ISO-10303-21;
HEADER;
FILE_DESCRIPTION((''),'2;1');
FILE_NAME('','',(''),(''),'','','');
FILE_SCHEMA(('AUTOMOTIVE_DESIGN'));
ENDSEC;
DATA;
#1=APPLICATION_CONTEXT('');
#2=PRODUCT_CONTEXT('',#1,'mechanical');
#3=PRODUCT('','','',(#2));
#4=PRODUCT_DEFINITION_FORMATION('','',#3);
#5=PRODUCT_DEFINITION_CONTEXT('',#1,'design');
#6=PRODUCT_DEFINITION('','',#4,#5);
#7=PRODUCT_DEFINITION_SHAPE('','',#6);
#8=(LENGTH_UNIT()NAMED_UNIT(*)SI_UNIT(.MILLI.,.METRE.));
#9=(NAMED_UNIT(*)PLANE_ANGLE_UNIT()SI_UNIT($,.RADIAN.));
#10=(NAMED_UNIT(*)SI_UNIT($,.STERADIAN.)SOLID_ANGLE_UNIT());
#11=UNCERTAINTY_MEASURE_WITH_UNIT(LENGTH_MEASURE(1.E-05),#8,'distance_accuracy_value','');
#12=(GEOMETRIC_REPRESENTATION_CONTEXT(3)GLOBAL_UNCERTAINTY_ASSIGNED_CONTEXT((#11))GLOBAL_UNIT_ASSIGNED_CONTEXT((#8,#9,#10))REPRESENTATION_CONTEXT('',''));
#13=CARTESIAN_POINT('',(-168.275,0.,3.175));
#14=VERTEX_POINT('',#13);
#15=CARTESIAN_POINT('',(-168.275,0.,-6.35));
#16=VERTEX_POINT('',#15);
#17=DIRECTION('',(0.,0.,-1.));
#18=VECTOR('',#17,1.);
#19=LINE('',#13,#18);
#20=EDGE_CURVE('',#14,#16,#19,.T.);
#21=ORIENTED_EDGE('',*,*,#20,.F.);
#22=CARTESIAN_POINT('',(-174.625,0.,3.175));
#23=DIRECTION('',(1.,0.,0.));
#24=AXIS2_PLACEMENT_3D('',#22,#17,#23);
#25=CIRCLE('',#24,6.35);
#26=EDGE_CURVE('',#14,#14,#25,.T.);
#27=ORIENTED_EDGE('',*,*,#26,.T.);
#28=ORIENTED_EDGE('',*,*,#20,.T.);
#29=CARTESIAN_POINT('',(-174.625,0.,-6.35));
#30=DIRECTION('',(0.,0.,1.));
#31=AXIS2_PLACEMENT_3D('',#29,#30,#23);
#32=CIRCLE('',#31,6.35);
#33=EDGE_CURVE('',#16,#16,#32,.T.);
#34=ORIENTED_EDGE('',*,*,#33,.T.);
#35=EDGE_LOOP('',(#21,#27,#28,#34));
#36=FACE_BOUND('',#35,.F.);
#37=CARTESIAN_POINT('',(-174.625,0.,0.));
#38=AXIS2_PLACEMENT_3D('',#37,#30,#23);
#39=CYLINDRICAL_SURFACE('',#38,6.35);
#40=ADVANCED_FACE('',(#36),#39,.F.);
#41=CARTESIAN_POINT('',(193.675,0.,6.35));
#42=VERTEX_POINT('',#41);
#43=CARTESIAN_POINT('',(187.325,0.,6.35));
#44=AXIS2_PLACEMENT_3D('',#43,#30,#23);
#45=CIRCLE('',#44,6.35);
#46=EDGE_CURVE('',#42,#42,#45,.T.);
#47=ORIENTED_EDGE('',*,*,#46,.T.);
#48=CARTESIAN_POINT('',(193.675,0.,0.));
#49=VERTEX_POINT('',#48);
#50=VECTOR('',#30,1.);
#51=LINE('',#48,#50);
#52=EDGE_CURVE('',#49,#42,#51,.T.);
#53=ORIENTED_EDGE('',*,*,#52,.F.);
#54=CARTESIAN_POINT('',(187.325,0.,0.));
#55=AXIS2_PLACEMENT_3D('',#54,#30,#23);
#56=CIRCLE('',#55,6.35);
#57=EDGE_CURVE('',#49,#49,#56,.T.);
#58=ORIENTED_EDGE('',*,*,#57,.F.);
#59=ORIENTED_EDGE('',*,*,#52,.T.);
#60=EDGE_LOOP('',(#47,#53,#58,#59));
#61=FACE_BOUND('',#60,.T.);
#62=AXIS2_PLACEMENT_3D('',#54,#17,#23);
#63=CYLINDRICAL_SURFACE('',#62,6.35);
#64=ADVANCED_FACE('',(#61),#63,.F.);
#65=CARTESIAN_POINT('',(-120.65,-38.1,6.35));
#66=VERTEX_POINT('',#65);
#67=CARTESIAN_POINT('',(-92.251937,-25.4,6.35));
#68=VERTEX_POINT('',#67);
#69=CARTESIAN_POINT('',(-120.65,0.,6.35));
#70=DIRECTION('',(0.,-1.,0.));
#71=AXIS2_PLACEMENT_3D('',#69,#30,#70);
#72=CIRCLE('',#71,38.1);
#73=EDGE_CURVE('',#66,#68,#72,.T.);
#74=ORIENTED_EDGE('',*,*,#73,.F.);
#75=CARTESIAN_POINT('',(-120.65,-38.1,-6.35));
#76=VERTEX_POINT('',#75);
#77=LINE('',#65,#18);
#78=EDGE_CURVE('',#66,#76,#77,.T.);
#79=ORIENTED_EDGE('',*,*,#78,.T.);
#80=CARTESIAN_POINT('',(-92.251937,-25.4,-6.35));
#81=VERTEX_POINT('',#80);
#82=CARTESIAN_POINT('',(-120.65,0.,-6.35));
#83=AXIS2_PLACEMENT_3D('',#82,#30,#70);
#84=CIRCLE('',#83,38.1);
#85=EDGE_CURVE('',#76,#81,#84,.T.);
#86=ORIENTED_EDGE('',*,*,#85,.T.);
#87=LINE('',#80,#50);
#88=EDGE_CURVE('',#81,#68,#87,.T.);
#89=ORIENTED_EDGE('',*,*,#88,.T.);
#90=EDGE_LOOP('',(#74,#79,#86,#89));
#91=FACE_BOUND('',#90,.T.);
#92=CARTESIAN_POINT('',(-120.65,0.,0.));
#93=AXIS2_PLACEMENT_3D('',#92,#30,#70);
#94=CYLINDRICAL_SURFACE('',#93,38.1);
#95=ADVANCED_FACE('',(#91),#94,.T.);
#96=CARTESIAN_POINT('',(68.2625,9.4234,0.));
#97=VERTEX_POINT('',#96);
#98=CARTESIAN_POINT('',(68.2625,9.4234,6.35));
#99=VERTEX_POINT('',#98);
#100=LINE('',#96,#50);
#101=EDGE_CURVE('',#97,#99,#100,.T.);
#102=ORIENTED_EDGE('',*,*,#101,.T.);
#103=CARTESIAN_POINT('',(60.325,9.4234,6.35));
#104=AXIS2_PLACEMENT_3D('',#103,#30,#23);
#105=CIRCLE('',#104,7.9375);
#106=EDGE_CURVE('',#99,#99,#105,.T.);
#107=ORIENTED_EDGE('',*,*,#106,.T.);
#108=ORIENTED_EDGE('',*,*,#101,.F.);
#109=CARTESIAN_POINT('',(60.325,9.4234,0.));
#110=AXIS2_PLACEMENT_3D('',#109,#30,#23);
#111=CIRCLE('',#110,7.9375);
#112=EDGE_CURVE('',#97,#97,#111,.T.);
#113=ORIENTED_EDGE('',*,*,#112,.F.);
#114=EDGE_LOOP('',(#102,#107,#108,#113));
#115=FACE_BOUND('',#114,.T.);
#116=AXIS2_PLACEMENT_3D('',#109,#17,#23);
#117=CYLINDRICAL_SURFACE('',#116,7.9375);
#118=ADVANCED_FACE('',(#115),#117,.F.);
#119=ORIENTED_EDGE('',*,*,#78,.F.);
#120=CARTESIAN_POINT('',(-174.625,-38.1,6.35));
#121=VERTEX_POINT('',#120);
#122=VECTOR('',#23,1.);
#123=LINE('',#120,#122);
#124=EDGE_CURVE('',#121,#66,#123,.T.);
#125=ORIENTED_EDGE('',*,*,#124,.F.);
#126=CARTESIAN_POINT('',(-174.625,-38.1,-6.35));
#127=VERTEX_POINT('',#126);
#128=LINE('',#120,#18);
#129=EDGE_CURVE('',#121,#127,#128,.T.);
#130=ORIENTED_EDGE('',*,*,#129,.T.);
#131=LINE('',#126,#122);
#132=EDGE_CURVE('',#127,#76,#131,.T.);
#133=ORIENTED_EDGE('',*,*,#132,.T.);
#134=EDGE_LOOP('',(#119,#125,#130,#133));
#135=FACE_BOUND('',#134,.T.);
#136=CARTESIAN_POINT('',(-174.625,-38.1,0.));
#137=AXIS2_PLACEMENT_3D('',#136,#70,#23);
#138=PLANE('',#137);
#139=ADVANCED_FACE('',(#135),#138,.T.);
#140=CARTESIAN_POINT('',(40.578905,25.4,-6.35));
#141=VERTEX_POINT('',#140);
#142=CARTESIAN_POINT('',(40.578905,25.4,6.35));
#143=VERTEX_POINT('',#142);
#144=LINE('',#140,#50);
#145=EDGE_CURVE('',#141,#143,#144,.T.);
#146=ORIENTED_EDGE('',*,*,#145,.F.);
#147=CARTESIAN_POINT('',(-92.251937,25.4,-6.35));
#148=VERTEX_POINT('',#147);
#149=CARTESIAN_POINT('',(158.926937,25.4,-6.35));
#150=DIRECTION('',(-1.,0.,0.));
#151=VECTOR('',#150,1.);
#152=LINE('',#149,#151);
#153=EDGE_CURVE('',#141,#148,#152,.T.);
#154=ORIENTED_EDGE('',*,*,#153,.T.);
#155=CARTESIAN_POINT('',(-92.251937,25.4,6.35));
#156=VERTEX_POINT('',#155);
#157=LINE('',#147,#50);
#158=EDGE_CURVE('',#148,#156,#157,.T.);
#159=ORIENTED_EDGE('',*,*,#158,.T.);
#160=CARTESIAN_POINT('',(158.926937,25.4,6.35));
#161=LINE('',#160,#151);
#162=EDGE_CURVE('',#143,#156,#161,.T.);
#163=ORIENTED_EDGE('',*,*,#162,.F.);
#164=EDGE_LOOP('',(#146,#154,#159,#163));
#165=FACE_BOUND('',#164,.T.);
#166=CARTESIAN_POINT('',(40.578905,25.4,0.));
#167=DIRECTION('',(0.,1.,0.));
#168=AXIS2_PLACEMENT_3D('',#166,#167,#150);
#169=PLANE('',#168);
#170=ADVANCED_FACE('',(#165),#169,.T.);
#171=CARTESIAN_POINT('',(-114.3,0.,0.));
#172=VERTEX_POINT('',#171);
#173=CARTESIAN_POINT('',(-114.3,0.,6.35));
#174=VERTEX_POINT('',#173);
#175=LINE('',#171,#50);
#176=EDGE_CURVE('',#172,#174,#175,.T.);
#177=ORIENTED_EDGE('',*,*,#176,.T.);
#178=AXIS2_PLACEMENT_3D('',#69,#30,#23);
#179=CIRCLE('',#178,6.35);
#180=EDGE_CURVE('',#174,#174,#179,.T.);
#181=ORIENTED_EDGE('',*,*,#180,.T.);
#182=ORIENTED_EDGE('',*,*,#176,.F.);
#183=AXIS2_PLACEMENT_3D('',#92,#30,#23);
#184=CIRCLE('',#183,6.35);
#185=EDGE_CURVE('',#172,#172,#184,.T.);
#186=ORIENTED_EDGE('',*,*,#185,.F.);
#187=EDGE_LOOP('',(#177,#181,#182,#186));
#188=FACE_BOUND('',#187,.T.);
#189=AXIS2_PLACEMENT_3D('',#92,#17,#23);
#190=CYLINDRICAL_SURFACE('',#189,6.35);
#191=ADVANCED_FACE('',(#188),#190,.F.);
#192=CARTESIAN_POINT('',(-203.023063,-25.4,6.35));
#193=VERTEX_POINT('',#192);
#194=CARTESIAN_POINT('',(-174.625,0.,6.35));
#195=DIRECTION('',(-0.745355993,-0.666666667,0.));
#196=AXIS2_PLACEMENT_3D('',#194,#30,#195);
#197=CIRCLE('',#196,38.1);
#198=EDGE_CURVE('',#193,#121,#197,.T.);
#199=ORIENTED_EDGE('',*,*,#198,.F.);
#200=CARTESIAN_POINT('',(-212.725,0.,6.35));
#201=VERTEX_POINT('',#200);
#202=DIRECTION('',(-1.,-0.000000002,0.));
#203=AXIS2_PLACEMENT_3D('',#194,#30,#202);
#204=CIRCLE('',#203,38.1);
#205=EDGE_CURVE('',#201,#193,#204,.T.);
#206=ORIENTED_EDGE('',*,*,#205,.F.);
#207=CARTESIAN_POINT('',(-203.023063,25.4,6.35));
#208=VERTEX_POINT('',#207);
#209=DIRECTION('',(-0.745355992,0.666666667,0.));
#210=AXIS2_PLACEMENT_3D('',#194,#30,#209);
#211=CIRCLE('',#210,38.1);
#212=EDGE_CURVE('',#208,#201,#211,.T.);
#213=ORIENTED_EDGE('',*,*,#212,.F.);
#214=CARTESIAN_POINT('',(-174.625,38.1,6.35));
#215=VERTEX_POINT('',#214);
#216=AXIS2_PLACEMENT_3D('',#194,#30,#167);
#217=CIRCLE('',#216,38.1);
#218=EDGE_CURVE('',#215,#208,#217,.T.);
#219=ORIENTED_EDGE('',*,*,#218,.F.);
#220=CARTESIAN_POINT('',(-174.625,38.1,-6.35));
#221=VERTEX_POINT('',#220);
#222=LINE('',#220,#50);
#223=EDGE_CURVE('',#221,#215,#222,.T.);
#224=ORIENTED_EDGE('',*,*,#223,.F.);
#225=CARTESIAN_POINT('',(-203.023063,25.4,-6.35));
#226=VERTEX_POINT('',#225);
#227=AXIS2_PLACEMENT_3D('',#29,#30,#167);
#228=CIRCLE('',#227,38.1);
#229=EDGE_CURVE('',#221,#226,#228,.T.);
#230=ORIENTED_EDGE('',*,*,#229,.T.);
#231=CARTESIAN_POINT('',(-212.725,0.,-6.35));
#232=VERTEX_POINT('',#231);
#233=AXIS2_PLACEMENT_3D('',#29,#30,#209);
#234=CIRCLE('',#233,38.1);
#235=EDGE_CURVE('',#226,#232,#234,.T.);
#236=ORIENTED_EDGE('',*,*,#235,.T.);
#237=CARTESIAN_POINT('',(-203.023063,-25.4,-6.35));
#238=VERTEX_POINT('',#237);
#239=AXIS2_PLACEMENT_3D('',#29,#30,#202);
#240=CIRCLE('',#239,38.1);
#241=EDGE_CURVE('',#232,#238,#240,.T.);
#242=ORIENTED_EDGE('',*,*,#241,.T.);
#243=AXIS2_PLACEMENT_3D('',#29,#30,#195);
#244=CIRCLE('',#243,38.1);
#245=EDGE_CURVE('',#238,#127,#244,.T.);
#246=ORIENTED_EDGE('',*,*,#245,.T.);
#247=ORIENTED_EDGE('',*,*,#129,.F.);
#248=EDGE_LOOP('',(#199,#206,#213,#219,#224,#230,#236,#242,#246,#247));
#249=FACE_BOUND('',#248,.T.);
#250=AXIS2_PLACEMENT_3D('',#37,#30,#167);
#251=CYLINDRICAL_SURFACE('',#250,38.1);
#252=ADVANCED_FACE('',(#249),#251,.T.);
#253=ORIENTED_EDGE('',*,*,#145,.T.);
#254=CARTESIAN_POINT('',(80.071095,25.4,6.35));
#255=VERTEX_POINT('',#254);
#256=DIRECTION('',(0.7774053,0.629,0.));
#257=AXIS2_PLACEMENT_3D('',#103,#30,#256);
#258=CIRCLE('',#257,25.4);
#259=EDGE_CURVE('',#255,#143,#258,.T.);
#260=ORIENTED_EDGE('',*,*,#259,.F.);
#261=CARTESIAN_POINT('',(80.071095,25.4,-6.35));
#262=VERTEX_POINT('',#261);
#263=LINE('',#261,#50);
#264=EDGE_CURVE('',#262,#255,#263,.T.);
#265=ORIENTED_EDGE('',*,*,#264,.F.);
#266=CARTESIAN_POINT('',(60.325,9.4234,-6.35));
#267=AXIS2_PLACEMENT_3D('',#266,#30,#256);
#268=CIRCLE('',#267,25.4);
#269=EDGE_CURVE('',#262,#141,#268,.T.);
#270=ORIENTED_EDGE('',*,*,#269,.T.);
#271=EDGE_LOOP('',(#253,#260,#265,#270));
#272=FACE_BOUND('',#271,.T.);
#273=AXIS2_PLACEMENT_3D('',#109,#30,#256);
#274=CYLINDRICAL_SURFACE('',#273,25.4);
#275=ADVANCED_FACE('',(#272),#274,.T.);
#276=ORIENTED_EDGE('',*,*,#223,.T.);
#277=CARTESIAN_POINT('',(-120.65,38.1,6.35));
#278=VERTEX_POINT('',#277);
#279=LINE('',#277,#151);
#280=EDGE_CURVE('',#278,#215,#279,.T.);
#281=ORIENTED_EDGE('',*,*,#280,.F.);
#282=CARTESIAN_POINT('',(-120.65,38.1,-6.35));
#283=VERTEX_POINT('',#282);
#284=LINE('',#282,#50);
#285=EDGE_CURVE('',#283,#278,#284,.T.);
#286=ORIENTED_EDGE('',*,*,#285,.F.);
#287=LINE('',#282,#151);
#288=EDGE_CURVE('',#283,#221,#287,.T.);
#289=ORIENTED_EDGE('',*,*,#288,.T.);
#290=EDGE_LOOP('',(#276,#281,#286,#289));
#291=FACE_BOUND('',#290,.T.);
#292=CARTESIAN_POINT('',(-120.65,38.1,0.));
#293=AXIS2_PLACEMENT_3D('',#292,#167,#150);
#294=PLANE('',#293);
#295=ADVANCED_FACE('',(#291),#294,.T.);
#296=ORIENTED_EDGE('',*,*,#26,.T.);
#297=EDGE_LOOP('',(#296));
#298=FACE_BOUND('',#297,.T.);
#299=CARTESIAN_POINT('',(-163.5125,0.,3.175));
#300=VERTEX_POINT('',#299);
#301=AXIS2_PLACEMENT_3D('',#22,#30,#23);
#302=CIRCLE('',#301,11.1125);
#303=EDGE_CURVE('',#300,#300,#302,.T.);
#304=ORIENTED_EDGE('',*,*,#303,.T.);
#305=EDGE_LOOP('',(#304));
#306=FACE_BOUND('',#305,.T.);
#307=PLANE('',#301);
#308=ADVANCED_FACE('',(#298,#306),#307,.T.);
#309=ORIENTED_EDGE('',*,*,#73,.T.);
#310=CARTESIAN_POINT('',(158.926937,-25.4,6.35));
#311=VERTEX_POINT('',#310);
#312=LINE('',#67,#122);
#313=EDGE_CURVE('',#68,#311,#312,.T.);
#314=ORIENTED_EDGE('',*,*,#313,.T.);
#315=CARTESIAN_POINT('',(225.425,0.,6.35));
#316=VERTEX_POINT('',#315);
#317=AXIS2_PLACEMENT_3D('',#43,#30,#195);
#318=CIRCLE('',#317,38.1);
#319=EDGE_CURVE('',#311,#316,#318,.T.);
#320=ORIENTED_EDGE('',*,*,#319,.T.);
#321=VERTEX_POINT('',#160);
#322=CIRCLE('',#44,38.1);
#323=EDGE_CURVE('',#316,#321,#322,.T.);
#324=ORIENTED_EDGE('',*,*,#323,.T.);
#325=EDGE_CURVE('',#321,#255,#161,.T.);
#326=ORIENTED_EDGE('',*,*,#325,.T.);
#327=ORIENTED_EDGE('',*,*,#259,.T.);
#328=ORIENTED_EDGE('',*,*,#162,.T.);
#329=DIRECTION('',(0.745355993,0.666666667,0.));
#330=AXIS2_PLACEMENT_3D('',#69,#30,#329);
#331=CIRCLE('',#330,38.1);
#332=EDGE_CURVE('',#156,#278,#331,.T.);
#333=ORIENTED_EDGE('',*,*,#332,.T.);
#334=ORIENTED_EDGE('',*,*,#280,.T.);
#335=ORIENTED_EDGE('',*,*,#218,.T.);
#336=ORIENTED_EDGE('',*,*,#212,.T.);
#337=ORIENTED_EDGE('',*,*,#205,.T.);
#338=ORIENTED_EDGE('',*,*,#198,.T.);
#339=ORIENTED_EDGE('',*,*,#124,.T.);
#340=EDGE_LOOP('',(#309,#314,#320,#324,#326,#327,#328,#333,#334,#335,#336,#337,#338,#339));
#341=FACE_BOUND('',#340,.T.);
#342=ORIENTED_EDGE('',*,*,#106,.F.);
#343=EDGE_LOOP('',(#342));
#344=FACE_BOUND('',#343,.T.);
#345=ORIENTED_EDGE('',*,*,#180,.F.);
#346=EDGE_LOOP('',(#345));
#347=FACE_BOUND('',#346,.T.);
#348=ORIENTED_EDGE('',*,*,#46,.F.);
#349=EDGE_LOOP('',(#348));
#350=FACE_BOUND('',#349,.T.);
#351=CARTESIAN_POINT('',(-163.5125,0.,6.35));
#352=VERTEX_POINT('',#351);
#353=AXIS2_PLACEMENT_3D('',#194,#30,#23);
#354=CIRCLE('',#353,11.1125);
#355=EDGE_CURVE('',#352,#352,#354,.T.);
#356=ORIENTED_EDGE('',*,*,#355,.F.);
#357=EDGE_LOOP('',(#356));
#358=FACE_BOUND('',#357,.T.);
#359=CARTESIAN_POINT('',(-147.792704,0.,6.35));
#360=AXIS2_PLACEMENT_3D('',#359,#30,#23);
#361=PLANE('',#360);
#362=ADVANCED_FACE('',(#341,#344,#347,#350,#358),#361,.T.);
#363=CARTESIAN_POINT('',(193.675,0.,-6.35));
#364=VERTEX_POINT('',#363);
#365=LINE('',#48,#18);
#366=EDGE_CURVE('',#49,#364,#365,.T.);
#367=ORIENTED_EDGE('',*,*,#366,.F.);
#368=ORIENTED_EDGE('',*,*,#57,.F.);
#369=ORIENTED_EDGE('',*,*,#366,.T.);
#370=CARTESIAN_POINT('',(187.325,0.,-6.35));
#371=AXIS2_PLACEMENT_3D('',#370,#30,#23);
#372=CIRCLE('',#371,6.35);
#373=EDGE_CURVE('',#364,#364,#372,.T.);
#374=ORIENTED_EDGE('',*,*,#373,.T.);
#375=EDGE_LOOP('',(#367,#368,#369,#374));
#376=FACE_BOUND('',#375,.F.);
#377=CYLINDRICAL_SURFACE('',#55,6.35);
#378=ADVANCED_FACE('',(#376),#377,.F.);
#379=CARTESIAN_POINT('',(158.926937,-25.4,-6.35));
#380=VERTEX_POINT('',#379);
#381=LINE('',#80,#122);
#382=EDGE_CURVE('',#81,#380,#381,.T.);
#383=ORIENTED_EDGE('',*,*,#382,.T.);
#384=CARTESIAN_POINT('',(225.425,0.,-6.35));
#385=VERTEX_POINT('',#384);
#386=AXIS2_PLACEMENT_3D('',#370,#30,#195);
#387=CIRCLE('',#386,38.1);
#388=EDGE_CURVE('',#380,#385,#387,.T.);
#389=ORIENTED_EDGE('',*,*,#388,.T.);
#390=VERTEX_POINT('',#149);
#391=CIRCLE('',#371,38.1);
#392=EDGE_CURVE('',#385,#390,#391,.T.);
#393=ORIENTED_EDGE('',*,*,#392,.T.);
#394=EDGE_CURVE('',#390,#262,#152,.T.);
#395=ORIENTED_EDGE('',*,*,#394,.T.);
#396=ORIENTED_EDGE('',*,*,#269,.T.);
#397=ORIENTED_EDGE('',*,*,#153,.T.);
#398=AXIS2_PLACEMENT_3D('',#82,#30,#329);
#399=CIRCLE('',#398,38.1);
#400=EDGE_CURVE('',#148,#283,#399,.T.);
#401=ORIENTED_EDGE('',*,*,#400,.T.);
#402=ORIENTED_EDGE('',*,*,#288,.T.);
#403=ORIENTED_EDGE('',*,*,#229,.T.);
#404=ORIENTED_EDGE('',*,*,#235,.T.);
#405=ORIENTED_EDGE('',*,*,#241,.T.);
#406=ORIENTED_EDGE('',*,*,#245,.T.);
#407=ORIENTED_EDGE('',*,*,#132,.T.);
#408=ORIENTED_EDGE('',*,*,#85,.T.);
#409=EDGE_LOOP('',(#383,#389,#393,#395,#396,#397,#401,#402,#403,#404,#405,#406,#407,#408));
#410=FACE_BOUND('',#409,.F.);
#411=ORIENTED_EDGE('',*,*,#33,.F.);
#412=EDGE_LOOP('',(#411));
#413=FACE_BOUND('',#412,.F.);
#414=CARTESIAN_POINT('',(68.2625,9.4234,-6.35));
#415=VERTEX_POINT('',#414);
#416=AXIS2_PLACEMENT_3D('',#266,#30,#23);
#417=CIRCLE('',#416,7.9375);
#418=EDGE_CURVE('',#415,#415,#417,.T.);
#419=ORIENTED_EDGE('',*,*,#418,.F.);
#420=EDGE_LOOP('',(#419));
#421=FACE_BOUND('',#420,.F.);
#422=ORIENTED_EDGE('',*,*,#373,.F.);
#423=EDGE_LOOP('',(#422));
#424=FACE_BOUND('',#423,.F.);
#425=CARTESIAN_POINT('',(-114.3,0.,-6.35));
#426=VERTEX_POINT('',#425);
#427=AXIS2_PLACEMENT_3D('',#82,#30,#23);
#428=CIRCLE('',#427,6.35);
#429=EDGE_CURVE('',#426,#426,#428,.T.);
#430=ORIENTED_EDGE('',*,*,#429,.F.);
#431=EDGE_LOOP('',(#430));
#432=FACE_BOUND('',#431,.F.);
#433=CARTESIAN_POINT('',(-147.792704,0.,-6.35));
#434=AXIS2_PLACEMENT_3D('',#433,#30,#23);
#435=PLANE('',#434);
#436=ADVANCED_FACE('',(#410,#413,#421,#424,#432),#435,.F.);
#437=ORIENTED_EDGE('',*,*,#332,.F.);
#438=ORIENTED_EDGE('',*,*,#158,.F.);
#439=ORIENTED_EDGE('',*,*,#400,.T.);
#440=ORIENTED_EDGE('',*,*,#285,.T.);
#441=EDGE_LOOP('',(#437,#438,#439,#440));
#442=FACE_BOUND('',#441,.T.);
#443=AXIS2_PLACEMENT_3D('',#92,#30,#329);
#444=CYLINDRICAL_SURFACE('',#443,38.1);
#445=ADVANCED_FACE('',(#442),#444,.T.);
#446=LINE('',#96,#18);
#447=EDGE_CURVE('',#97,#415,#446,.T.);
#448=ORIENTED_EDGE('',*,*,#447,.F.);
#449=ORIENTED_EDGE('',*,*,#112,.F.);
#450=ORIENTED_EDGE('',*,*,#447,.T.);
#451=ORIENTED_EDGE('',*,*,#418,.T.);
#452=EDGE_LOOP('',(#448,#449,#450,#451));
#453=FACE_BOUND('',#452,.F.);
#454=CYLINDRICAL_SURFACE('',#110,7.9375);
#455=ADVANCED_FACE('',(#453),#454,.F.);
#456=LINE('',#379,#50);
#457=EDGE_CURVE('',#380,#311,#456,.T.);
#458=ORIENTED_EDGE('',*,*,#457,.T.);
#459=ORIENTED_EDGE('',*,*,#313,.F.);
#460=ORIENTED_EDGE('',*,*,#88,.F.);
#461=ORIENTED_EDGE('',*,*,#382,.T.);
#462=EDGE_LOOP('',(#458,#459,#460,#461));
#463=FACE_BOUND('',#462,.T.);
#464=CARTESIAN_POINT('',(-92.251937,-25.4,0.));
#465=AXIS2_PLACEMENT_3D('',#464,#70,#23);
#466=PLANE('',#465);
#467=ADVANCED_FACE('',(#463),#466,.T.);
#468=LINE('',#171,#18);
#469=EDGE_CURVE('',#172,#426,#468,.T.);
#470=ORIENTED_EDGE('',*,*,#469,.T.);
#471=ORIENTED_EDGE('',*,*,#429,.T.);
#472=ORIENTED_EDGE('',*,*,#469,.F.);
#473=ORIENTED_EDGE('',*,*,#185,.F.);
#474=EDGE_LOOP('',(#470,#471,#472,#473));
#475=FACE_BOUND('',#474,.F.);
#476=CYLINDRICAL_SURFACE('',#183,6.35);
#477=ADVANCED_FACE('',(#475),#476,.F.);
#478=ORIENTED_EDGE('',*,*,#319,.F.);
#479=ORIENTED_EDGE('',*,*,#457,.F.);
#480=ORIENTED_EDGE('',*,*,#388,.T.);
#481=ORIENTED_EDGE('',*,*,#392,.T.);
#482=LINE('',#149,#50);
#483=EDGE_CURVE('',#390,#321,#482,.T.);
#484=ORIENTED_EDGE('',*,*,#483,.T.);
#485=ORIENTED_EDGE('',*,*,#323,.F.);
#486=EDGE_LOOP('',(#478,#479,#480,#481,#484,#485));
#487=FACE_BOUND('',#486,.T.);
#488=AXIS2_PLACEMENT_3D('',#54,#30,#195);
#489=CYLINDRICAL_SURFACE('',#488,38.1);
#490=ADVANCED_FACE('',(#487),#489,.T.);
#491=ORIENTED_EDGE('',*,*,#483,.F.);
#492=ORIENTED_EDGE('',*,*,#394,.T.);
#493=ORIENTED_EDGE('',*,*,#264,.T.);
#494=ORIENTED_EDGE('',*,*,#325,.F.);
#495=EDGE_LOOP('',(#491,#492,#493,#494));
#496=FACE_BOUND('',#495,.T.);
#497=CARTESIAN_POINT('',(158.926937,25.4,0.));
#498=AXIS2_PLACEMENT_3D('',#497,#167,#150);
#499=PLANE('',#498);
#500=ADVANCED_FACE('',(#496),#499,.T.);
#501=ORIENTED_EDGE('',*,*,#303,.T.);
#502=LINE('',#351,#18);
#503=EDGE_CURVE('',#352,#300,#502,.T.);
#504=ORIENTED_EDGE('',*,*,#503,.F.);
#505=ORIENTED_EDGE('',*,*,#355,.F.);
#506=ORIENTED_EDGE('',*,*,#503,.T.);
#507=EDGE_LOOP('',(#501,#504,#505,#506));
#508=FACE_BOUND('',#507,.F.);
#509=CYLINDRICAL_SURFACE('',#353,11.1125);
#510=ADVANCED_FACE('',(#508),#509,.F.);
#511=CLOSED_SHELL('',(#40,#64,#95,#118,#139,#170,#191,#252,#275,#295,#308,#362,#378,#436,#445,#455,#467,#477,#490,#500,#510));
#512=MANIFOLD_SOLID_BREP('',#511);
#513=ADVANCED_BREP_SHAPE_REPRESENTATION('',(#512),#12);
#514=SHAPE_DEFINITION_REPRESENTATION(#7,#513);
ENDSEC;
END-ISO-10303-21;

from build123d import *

# Parameters (mm, degrees)
F0_R     = 6.35
F0_R_2   = 7.9375
F1_DEPTH = 6.35
F2_R     = 11.1125
F3_DEPTH = 3.175


with BuildPart() as f1:
    # F0 (on Top) → F1 (new body, symmetric)
    with BuildSketch(Plane.XY):
        with BuildLine():
            ThreePointArc((-120.65, -38.1), (-105.0957401333, -34.7803824016), (-92.2519366858, -25.4))
            ThreePointArc((-92.2519366858, -25.4), (-82.55, 0), (-92.2519366858, 25.4))
            ThreePointArc((-92.2519366858, 25.4), (-105.0957401333, 34.7803824016), (-120.65, 38.1))
            Line((-120.65, 38.1), (-174.625, 38.1))
            ThreePointArc((-174.625, 38.1), (-190.1792598667, 34.7803824016), (-203.0230633142, 25.4))
            ThreePointArc((-203.0230633142, 25.4), (-210.2169668893, 13.5949215867), (-212.725, -7.2e-08))
            ThreePointArc((-212.725, -7.2e-08), (-210.2169668636, -13.594921654), (-203.0230633142, -25.4))
            ThreePointArc((-203.0230633142, -25.4), (-190.1792598667, -34.7803824016), (-174.625, -38.1))
            Line((-174.625, -38.1), (-120.65, -38.1))
        make_face()
        with Locations((-174.625, 0)):
            Circle(F0_R, mode=Mode.SUBTRACT)
        with Locations((-120.65, 0)):
            Circle(F0_R, mode=Mode.SUBTRACT)
        with BuildLine():
            Line((-92.2519366858, -25.4), (158.9269366858, -25.4))
            ThreePointArc((158.9269366858, -25.4), (149.225, 0), (158.9269366858, 25.4))
            Line((158.9269366858, 25.4), (80.0710946124, 25.4))
            ThreePointArc((80.0710946124, 25.4), (84.2698408134, 17.8971594032), (85.725, 9.4234))
            ThreePointArc((85.725, 9.4234), (51.8512405968, -14.5214408134), (40.5789053876, 25.4))
            Line((40.5789053876, 25.4), (-92.2519366858, 25.4))
            ThreePointArc((-92.2519366858, 25.4), (-82.55, 0), (-92.2519366858, -25.4))
        make_face()
        with BuildLine():
            ThreePointArc((158.9269366858, 25.4), (149.225, 0), (158.9269366858, -25.4))
            ThreePointArc((158.9269366858, -25.4), (200.9199216204, -35.5919668765), (225.425, 0))
            ThreePointArc((225.425, 0), (200.9199216204, 35.5919668765), (158.9269366858, 25.4))
        make_face()
        with Locations((187.325, 0)):
            Circle(F0_R, mode=Mode.SUBTRACT)
        with BuildLine():
            ThreePointArc((85.725, 9.4234), (84.2698408134, 17.8971594032), (80.0710946124, 25.4))
            Line((80.0710946124, 25.4), (40.5789053876, 25.4))
            ThreePointArc((40.5789053876, 25.4), (51.8512405968, -14.5214408134), (85.725, 9.4234))
        make_face()
        with Locations((60.325, 9.4234)):
            Circle(F0_R_2, mode=Mode.SUBTRACT)
        with BuildLine():
            Line((40.5789053876, 25.4), (80.0710946124, 25.4))
            ThreePointArc((80.0710946124, 25.4), (60.325, 34.8234), (40.5789053876, 25.4))
        make_face()
    extrude(amount=F1_DEPTH, both=True)

    # F2 (on face) → F3 (cut)
    with BuildSketch(Plane.XY.offset(6.35)):
        with Locations((-174.625, 0)):
            Circle(F2_R)
    extrude(amount=-F3_DEPTH, mode=Mode.SUBTRACT)


solid = f1.part
